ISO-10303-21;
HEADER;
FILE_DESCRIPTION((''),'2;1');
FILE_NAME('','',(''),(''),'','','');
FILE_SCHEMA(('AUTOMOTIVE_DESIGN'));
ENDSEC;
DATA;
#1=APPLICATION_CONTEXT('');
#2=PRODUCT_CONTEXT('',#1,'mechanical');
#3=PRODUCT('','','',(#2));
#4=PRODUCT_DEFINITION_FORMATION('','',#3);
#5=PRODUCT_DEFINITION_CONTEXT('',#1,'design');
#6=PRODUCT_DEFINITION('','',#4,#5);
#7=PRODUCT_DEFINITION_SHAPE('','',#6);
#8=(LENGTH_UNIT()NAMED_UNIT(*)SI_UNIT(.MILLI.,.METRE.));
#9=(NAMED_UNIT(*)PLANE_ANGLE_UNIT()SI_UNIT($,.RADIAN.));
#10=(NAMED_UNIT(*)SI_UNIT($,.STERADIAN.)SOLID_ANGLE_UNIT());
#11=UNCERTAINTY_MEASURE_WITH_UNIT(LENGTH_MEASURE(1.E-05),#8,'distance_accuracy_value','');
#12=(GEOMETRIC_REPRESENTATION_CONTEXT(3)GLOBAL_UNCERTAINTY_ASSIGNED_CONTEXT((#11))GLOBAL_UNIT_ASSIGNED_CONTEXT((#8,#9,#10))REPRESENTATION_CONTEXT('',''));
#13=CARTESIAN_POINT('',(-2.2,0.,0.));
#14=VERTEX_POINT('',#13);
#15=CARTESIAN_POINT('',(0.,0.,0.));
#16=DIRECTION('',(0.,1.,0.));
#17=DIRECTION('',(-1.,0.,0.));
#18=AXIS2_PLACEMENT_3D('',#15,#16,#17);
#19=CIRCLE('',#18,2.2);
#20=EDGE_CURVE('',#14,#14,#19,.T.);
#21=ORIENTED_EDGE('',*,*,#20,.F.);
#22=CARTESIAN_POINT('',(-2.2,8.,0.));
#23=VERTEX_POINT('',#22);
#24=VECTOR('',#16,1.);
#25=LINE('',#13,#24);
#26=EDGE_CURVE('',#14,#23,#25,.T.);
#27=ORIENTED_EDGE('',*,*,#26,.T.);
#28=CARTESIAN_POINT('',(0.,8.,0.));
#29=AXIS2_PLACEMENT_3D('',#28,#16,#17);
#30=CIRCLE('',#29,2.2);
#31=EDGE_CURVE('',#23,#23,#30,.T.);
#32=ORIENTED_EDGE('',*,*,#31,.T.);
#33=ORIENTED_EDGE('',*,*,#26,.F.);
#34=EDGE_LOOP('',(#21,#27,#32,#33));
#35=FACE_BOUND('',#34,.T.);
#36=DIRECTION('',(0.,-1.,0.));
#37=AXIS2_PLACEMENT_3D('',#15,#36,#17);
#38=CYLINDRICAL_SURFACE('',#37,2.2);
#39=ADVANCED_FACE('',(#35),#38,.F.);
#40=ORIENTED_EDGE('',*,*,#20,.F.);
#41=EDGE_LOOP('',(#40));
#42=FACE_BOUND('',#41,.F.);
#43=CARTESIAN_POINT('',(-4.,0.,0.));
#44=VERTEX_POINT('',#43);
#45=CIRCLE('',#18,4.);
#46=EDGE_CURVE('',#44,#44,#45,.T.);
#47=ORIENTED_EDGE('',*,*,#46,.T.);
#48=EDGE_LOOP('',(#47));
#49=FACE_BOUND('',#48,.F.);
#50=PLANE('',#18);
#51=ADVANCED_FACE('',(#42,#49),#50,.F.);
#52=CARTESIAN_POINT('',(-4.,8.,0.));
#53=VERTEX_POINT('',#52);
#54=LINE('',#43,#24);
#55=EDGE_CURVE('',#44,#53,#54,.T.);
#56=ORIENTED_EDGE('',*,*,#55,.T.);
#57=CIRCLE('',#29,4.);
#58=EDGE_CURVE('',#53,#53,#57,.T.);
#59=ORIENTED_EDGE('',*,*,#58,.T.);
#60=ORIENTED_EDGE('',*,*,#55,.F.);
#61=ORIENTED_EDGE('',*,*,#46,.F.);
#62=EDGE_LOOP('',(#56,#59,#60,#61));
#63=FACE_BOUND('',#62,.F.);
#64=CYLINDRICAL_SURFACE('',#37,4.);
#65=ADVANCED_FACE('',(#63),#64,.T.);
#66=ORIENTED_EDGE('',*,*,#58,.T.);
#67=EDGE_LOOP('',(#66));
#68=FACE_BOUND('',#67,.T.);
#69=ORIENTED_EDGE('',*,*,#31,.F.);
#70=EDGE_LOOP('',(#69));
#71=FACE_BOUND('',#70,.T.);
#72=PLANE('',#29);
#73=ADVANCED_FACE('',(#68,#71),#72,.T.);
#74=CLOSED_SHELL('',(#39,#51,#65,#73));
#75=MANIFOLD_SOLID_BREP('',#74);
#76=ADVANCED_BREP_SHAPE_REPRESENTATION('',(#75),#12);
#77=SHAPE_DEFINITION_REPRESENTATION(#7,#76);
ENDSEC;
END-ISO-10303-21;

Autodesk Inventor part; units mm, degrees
ref_plane "YZ Plane" through (0, 0, 0) normal (1, 0, 0) x (0, 1, 0)
ref_plane "XZ Plane" through (0, 0, 0) normal (0, 1, 0) x (-1, 0, 0)
ref_plane "XY Plane" through (0, 0, 0) normal (0, 0, 1) x (1, 0, 0)
sketch "Sketch1" plane through (0, 0, 0) normal (0, 1, 0) x (-1, 0, 0)
  circle A0 centre (0, 0) radius 4
  circle A1 centre (0, 0) radius 2.2
  dimension "d0" = 4.4
  dimension "d1" = 8
extrude "Extrusion1" add sketch "Sketch1" along normal blind 8
properties part number "dystans_pcb"
